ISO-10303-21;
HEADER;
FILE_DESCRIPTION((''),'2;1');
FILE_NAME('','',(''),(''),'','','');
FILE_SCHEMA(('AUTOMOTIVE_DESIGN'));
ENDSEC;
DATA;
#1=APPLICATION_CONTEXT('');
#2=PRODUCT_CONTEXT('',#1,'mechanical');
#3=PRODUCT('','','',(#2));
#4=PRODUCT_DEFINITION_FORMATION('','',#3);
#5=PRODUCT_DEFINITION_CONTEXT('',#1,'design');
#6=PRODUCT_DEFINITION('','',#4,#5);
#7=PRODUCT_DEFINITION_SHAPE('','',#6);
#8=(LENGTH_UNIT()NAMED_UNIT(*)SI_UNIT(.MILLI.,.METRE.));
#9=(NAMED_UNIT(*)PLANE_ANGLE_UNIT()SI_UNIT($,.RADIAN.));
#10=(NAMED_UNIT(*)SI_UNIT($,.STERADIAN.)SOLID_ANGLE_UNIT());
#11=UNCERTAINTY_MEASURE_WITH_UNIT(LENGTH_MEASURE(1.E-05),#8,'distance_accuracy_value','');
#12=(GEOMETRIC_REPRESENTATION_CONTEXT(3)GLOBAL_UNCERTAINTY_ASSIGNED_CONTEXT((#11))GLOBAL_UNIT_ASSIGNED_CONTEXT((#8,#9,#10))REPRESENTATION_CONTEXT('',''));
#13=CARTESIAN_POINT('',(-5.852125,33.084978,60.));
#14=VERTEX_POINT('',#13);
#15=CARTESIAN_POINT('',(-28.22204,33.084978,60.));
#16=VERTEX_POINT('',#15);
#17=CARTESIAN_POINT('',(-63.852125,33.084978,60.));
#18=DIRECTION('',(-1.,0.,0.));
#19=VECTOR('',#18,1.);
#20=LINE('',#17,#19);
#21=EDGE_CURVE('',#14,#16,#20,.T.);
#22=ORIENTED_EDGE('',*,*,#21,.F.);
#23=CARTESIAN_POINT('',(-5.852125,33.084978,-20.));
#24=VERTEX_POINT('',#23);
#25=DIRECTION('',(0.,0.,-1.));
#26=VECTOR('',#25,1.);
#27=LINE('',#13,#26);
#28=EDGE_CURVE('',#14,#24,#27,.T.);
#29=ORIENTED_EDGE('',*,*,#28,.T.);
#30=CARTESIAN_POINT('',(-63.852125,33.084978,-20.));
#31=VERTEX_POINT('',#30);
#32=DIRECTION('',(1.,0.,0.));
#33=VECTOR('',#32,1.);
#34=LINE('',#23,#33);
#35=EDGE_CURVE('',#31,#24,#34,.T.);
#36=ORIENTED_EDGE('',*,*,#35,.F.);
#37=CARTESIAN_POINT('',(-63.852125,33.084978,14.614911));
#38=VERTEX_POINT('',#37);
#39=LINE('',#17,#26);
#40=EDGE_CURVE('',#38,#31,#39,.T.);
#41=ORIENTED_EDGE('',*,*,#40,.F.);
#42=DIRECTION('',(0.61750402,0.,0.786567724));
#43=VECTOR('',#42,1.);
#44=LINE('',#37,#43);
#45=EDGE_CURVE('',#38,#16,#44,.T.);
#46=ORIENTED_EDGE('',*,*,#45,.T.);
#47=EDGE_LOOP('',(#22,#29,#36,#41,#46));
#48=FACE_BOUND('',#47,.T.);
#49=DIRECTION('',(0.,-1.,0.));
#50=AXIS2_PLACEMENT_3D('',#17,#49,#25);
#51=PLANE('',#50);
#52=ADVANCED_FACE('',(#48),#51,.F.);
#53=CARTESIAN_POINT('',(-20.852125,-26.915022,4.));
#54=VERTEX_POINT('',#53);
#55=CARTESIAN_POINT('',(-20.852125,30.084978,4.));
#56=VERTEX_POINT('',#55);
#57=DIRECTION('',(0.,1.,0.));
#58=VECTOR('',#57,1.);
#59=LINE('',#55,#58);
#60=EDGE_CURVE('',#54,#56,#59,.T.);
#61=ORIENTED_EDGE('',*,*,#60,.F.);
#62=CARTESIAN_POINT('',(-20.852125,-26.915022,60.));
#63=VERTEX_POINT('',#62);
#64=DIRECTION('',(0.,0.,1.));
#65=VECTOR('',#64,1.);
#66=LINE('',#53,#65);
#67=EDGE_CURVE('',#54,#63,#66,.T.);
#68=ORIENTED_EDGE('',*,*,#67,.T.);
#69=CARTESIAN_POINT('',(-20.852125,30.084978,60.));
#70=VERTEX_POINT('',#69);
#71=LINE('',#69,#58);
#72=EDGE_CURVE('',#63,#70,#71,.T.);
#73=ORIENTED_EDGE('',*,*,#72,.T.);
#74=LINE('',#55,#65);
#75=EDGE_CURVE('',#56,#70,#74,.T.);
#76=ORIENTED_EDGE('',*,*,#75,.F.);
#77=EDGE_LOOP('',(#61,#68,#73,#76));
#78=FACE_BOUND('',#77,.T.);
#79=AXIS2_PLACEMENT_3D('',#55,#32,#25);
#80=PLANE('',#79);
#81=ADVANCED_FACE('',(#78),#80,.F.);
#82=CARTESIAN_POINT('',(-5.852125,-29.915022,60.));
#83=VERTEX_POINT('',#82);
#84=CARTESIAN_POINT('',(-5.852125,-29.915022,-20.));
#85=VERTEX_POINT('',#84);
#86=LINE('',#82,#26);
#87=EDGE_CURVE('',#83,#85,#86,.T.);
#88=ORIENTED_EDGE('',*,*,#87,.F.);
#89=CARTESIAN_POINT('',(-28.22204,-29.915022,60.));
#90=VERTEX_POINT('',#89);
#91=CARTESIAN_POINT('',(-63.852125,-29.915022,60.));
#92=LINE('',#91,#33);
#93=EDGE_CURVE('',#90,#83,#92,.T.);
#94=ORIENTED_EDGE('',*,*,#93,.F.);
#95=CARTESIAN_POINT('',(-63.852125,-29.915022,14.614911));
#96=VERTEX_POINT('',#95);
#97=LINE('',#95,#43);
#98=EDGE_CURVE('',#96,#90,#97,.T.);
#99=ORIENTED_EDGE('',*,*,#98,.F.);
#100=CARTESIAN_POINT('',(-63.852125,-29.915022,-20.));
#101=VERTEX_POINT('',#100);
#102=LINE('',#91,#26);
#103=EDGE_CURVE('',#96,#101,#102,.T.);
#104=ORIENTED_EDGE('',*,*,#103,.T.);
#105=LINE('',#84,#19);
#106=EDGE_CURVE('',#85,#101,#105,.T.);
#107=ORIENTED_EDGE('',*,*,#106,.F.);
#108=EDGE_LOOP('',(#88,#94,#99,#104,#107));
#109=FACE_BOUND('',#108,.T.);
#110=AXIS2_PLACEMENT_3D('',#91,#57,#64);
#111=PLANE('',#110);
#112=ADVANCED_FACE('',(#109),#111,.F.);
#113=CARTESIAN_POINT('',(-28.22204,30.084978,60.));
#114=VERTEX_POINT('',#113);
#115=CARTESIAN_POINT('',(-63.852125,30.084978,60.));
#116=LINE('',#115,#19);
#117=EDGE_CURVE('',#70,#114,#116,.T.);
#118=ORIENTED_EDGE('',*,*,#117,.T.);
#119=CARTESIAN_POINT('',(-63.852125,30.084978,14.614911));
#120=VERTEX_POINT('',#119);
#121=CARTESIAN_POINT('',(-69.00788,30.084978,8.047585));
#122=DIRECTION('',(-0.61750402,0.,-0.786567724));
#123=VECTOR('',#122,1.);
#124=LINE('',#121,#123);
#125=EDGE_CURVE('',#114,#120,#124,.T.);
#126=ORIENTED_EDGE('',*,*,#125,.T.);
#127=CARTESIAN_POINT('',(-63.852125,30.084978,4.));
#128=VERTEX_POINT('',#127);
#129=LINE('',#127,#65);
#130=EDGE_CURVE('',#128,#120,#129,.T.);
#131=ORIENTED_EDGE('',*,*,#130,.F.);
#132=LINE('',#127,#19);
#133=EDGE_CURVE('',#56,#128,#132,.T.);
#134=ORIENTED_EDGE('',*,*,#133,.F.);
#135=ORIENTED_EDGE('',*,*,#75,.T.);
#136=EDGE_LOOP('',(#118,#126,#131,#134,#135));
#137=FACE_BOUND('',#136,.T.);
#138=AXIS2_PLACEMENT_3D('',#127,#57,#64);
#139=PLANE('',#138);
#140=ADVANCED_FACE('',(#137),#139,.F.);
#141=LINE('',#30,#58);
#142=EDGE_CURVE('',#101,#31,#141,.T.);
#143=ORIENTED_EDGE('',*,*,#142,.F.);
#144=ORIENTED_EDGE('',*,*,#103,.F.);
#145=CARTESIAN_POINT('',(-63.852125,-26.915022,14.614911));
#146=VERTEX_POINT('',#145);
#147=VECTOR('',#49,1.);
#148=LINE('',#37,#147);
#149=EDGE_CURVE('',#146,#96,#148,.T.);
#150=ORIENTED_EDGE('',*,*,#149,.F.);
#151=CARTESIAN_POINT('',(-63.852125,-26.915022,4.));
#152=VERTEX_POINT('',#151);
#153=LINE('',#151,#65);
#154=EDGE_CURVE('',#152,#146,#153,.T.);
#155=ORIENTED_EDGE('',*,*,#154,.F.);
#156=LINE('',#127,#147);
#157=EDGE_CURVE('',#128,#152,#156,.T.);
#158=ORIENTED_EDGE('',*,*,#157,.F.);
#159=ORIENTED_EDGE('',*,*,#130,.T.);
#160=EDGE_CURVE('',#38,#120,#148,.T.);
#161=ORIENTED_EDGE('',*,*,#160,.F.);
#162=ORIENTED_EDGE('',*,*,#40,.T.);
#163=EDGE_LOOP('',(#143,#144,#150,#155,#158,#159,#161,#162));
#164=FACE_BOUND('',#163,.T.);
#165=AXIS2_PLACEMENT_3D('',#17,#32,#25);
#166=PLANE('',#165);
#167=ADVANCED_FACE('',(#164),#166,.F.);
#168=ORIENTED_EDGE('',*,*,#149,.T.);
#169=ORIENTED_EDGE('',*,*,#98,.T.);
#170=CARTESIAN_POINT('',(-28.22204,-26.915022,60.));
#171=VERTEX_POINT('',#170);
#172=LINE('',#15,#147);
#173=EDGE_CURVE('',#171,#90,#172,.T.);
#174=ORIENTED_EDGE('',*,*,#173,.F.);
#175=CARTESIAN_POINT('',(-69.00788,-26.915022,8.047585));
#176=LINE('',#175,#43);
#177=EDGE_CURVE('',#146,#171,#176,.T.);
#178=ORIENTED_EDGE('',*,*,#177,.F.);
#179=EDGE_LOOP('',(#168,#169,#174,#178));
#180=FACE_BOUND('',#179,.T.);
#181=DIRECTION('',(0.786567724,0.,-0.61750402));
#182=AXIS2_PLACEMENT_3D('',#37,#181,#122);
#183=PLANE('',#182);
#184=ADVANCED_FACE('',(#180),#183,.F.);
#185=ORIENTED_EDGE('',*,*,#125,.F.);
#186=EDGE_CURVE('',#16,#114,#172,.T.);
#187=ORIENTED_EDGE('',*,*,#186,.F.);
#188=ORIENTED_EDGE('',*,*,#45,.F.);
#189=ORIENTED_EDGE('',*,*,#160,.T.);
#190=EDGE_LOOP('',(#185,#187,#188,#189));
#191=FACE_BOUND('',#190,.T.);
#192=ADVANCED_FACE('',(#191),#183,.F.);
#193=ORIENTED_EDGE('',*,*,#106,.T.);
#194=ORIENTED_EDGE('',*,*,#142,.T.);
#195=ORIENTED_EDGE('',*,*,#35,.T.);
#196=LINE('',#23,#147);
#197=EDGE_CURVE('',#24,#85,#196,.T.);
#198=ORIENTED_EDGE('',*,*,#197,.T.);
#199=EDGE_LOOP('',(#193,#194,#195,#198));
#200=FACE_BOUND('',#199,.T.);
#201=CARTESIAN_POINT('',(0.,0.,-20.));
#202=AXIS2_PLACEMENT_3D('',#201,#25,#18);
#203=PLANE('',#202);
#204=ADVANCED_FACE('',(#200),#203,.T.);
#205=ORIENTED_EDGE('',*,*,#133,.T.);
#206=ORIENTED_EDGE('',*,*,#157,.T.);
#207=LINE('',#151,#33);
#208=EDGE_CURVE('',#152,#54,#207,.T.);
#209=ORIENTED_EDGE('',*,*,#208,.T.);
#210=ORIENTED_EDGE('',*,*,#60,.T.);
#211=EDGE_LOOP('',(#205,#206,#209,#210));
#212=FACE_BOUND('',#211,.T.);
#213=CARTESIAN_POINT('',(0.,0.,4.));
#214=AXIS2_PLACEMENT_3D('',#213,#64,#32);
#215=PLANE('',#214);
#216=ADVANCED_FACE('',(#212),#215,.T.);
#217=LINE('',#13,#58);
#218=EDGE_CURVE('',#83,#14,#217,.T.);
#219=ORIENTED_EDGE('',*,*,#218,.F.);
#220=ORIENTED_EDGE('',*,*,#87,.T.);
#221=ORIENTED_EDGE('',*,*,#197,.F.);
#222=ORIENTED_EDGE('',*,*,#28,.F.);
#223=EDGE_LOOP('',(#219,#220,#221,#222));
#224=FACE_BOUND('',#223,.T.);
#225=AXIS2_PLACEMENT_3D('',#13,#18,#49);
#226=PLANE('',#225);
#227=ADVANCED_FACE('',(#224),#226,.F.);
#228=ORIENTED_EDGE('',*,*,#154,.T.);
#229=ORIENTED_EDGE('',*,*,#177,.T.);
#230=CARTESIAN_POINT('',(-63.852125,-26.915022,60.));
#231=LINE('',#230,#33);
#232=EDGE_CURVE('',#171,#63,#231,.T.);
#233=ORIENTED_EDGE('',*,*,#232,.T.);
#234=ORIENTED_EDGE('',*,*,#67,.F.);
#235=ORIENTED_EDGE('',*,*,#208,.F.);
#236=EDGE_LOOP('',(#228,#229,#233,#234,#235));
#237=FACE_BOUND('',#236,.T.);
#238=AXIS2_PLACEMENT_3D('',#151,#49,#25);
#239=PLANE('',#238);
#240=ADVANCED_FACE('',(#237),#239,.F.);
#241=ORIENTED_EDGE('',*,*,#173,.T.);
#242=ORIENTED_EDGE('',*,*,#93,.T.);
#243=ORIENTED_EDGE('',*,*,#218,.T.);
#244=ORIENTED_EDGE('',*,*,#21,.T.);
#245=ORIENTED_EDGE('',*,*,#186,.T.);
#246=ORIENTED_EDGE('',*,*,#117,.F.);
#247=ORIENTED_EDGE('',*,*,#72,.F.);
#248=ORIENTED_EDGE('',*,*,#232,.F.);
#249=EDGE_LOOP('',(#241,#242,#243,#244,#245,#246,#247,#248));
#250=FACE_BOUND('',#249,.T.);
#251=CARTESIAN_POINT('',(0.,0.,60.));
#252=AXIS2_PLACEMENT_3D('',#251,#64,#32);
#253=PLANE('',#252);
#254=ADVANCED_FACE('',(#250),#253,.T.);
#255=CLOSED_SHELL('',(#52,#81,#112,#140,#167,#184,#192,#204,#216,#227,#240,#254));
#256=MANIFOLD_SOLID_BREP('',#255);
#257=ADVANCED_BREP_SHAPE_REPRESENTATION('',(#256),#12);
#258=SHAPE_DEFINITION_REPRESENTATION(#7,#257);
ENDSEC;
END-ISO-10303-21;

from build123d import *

# Parameters (mm, degrees)
SKETCH_1_W          = 58
SKETCH_1_H          = 63
EXTRUDE_1_DEPTH     = 60
SKETCH_3_W          = 43
SKETCH_3_H          = 57
CUT_EXTRUDE_1_DEPTH = 56
CUT_EXTRUDE_2_DEPTH = 64
SKETCH_5_W          = 58
SKETCH_5_H          = 63
EXTRUDE_2_DEPTH     = 20


with BuildPart() as part:
    # 草图1 → 凸台-拉伸1 (new body)
    with BuildSketch(Plane.XY):
        with Locations((-34.85212532, 1.584978346)):
            Rectangle(SKETCH_1_W, SKETCH_1_H)
    extrude(amount=EXTRUDE_1_DEPTH)

    # 草图3 → 切除-拉伸1 (cut)
    with BuildSketch(Plane.XY.offset(60)):
        with Locations((-42.35212532, 1.584978346)):
            Rectangle(SKETCH_3_W, SKETCH_3_H)
    extrude(amount=-CUT_EXTRUDE_1_DEPTH, mode=Mode.SUBTRACT)

    # 草图4 → 切除-拉伸2 (cut, through all)
    with BuildSketch(Plane.XZ.offset(29.915021654)):
        Polygon((-63.85212532, 60), (-63.85212532, 14.614911021), (-28.222040277, 60), align=None)
    extrude(amount=-CUT_EXTRUDE_2_DEPTH, mode=Mode.SUBTRACT)

    # 草图5 → 凸台-拉伸2 (add)
    with BuildSketch(Plane(origin=(0, 0, 0), x_dir=(-1, 0, 0), z_dir=(0, 0, -1))):
        with Locations((34.85212532, 1.584978346)):
            Rectangle(SKETCH_5_W, SKETCH_5_H)
    extrude(amount=EXTRUDE_2_DEPTH)


solid = part.part
